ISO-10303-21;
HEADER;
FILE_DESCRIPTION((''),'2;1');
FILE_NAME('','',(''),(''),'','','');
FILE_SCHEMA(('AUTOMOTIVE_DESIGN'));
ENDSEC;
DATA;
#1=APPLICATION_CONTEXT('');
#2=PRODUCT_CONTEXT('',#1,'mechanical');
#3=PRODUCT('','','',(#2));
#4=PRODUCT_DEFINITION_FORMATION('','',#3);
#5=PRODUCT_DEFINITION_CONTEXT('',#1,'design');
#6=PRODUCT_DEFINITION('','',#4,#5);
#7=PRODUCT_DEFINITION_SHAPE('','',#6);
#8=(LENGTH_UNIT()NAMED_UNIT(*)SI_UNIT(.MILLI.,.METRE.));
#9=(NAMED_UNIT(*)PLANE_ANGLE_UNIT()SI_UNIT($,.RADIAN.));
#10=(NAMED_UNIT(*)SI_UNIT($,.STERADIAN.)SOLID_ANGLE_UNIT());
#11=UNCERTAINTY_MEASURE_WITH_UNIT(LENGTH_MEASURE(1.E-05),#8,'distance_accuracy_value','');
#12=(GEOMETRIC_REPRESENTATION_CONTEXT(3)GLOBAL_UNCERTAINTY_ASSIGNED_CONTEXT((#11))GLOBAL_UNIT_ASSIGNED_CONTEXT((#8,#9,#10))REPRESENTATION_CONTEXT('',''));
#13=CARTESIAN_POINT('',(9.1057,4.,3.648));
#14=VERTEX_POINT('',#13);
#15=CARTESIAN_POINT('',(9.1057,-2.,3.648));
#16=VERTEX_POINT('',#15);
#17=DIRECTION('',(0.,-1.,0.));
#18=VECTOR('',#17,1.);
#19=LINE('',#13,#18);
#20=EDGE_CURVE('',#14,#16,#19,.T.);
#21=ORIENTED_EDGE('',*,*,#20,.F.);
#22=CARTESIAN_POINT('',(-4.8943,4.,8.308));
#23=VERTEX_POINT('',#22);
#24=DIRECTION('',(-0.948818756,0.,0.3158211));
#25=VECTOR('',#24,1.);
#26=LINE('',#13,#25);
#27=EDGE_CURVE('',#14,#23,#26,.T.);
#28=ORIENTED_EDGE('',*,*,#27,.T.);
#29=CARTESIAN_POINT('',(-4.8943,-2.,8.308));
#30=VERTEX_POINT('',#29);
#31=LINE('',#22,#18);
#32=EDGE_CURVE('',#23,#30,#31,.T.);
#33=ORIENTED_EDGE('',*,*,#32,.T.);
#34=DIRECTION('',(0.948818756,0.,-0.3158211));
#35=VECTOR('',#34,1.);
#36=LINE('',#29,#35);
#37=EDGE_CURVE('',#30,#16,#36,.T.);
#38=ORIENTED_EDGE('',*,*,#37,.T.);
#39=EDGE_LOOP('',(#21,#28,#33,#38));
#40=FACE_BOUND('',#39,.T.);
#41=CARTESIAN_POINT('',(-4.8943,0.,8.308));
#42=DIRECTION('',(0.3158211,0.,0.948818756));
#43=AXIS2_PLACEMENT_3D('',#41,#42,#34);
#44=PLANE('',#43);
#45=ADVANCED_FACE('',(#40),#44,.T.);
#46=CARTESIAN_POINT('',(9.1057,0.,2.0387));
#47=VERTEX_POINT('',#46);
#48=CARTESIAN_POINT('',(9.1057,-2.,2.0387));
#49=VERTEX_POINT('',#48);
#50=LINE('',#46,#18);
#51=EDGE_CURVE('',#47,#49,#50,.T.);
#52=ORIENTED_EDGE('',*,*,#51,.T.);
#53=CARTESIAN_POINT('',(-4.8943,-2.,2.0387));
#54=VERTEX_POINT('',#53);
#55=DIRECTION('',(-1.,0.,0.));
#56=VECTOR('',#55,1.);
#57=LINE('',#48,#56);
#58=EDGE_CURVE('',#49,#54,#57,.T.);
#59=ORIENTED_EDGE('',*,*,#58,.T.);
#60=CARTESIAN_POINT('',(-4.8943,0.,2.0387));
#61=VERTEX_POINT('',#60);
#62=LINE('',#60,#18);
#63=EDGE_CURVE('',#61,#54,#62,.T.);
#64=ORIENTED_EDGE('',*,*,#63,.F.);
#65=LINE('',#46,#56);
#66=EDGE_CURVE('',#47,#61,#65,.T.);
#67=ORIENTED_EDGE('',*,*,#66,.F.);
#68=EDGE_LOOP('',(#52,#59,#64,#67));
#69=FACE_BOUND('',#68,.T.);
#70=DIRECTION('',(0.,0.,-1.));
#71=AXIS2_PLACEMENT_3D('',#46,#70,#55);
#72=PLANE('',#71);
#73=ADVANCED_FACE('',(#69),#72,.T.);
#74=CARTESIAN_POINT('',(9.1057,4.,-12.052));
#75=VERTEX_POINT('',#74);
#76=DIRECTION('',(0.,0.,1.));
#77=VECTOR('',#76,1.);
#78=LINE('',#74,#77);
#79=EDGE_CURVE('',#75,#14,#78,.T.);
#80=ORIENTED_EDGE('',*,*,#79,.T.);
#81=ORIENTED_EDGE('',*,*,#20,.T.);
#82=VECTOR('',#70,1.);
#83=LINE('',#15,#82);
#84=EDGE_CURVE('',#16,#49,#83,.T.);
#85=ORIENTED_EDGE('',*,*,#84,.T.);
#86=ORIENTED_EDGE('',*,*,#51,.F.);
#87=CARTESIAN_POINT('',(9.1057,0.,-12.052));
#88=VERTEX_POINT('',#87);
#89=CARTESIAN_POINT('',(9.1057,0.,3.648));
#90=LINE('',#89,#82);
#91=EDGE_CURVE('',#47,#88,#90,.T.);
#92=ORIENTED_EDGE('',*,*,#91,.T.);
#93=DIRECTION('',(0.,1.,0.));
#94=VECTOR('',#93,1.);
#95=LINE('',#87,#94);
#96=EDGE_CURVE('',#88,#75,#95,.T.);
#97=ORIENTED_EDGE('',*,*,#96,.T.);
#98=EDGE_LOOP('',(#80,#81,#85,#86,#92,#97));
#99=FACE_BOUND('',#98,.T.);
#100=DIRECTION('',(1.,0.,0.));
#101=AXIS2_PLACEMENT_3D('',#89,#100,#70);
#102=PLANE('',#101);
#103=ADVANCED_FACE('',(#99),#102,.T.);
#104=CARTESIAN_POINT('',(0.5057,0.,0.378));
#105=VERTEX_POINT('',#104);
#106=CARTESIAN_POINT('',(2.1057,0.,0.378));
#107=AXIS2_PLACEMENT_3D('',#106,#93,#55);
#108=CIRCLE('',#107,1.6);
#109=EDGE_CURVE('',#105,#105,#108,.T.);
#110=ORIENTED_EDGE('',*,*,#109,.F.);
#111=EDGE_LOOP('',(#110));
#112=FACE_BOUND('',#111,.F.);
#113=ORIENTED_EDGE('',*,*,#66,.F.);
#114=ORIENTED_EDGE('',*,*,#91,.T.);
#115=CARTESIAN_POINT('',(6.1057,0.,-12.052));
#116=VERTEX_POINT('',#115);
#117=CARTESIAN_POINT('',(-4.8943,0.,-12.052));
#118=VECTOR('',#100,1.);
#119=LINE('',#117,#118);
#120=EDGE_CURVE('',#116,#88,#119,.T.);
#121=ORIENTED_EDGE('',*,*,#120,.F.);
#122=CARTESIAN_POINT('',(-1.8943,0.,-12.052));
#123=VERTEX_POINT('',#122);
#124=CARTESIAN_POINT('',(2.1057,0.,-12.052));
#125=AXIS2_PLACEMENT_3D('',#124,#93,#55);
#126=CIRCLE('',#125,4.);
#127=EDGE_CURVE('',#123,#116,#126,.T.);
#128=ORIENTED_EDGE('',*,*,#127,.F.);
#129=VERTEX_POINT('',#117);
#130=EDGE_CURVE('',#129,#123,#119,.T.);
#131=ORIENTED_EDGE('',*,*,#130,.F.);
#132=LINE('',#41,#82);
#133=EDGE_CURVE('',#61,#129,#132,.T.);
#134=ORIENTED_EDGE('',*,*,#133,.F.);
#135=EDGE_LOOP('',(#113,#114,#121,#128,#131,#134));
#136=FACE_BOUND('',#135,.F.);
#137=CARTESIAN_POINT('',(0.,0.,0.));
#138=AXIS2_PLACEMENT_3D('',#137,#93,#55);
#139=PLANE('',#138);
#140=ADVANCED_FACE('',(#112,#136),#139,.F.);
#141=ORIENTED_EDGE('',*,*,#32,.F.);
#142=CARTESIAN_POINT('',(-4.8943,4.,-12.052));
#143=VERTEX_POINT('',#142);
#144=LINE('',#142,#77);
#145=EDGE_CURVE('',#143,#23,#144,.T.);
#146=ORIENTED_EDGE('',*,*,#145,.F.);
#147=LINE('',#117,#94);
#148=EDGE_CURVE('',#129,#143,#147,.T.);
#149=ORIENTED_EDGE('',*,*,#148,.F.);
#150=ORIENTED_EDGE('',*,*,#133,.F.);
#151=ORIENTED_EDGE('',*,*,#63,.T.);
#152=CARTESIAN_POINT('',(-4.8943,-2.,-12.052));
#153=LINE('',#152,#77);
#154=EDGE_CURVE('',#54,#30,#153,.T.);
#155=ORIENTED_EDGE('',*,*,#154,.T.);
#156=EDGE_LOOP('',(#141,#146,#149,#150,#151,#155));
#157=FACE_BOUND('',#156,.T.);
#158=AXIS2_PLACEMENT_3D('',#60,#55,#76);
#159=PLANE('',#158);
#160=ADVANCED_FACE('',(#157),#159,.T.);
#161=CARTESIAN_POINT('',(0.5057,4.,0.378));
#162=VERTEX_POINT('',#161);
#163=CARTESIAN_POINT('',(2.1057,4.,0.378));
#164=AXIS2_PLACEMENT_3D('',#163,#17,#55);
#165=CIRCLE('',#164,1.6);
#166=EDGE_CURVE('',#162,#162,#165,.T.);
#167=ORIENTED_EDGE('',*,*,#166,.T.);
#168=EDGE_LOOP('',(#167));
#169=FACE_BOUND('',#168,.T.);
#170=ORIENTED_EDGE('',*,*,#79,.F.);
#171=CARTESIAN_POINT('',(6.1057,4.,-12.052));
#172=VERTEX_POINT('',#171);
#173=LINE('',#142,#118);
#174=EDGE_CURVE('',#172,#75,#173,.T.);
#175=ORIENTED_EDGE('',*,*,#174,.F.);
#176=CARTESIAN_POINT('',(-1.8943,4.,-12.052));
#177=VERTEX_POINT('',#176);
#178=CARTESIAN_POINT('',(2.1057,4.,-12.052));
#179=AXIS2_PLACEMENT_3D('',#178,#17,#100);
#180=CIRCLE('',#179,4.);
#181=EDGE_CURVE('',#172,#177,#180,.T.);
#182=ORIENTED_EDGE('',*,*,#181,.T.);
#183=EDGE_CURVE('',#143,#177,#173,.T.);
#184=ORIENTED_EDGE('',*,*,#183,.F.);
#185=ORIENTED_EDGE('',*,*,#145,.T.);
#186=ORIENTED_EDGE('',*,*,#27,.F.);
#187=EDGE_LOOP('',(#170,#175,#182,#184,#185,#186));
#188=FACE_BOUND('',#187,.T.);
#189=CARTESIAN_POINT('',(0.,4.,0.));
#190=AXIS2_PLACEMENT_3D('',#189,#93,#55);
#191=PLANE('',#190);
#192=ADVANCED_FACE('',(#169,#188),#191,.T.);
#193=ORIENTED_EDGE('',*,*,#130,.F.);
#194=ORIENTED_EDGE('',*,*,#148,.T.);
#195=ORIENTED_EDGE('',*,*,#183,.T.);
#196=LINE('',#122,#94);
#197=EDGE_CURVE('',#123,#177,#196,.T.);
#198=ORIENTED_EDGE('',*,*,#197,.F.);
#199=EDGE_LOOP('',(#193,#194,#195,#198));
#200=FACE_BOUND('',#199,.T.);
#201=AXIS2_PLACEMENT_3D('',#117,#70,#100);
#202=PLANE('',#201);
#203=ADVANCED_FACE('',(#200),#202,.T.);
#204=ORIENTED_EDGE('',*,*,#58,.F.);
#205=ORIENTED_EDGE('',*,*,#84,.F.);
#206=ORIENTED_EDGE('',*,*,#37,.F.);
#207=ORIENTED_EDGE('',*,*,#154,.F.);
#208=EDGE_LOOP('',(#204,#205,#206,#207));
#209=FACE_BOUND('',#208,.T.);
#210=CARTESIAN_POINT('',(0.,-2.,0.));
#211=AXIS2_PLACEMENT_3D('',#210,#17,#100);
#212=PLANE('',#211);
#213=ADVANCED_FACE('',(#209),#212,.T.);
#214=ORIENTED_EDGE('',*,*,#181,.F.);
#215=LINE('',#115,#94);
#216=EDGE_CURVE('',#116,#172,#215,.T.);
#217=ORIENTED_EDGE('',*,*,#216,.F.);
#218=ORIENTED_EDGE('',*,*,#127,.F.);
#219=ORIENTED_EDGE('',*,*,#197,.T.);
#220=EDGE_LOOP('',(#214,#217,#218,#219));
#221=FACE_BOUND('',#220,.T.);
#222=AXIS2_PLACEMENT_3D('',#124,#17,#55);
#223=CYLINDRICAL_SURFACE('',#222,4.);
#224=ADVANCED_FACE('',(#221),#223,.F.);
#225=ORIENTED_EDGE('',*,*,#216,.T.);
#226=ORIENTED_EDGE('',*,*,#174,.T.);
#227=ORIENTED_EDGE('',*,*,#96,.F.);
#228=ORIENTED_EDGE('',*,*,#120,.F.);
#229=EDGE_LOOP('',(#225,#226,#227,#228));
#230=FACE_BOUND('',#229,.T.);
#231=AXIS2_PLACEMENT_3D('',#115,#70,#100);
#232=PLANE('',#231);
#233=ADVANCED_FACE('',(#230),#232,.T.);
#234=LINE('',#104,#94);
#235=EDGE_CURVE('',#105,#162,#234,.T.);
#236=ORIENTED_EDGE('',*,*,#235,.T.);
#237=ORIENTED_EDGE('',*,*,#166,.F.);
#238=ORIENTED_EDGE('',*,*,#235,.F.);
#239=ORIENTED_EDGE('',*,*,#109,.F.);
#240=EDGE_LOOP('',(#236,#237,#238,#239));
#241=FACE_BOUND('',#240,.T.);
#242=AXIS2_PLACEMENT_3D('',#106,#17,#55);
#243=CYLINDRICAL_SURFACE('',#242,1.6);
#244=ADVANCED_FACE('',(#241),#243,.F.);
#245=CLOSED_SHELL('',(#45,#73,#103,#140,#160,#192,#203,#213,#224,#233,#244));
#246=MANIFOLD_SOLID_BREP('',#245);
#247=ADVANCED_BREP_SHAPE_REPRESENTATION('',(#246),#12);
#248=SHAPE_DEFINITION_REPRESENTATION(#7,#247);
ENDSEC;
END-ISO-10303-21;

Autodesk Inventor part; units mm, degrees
ref_plane "YZ Plane" through (0, 0, 0) normal (1, 0, 0) x (0, 1, 0)
ref_plane "XZ Plane" through (0, 0, 0) normal (0, 1, 0) x (-1, 0, 0)
ref_plane "XY Plane" through (0, 0, 0) normal (0, 0, 1) x (1, 0, 0)
sketch "Sketch1" plane through (0, 0, 0) normal (0, 1, 0) x (-1, 0, 0)
  line L0 (-9.1057, 3.648) -> (-9.1057, -9.552)
  line L1 (4.8943, -9.552) -> (4.8943, 8.308)
  line L2 (4.8943, 8.308) -> (-9.1057, 3.648)
  line L3 (-2.1057, 5.978) -> (-2.1057, 1.978)
  circle A0 centre (-2.1057, 0.378) radius 1.6
  line L4 (4.8943, -9.552) -> (4.8943, -12.052)
  line L5 (-9.1057, -9.552) -> (-9.1057, -12.052)
  line L6 (4.8943, -12.052) -> (-9.1057, -12.052)
  circle A1 centre (-2.1057, -12.052) radius 4
  line L7 (-2.1057, -1.222) -> (-2.1057, -8.052)
  line L8 (4.8943, 1.978) -> (-2.1057, 1.978)
  line L9 (-9.1057, 1.978) -> (-2.1057, 1.978)
  point P0 (0, 0)
  point P1 (1.8943, -12.052)
  point P2 (-6.1057, -12.052)
  dimension "d8" = 3.2
  dimension "d19" = 8
  dimension "d5" = 13.2
  dimension "d6" = 4
  dimension "d10" = 17.86
  dimension "d13" = 14
  dimension "d16" = 2.5
extrude "Extrusion2" add sketch "Sketch1" along normal blind 4 contours L2 L3 L9 L0 | L9 A0 L7 A1 L6 L5 L0 | L2 L1 L8 L3 | L8 L1 L4 L6 A1 L7 A0
sketch "Sketch2" plane through (0, 0, 0) normal (0, -1, 0) x (1, 0, 0)
  line L0 (9.1057, 3.648) -> (9.1057, -12.052) projected
  line L1 (9.1057, 2.0387) -> (-4.8943, 2.0387)
  line L2 (-4.8943, -12.052) -> (-4.8943, 8.308) projected
  line L3 (-4.8943, 2.0387) -> (-4.8943, 8.308)
  line L4 (-4.8943, 8.308) -> (9.1057, 3.648) projected
  line L5 (-4.8943, 8.308) -> (9.1057, 3.648)
  line L6 (9.1057, 3.648) -> (9.1057, 2.0387)
  point P0 (0, 0)
extrude "Extrusion3" add sketch "Sketch2" along normal blind 2
properties part number "plungerholdermod1"
